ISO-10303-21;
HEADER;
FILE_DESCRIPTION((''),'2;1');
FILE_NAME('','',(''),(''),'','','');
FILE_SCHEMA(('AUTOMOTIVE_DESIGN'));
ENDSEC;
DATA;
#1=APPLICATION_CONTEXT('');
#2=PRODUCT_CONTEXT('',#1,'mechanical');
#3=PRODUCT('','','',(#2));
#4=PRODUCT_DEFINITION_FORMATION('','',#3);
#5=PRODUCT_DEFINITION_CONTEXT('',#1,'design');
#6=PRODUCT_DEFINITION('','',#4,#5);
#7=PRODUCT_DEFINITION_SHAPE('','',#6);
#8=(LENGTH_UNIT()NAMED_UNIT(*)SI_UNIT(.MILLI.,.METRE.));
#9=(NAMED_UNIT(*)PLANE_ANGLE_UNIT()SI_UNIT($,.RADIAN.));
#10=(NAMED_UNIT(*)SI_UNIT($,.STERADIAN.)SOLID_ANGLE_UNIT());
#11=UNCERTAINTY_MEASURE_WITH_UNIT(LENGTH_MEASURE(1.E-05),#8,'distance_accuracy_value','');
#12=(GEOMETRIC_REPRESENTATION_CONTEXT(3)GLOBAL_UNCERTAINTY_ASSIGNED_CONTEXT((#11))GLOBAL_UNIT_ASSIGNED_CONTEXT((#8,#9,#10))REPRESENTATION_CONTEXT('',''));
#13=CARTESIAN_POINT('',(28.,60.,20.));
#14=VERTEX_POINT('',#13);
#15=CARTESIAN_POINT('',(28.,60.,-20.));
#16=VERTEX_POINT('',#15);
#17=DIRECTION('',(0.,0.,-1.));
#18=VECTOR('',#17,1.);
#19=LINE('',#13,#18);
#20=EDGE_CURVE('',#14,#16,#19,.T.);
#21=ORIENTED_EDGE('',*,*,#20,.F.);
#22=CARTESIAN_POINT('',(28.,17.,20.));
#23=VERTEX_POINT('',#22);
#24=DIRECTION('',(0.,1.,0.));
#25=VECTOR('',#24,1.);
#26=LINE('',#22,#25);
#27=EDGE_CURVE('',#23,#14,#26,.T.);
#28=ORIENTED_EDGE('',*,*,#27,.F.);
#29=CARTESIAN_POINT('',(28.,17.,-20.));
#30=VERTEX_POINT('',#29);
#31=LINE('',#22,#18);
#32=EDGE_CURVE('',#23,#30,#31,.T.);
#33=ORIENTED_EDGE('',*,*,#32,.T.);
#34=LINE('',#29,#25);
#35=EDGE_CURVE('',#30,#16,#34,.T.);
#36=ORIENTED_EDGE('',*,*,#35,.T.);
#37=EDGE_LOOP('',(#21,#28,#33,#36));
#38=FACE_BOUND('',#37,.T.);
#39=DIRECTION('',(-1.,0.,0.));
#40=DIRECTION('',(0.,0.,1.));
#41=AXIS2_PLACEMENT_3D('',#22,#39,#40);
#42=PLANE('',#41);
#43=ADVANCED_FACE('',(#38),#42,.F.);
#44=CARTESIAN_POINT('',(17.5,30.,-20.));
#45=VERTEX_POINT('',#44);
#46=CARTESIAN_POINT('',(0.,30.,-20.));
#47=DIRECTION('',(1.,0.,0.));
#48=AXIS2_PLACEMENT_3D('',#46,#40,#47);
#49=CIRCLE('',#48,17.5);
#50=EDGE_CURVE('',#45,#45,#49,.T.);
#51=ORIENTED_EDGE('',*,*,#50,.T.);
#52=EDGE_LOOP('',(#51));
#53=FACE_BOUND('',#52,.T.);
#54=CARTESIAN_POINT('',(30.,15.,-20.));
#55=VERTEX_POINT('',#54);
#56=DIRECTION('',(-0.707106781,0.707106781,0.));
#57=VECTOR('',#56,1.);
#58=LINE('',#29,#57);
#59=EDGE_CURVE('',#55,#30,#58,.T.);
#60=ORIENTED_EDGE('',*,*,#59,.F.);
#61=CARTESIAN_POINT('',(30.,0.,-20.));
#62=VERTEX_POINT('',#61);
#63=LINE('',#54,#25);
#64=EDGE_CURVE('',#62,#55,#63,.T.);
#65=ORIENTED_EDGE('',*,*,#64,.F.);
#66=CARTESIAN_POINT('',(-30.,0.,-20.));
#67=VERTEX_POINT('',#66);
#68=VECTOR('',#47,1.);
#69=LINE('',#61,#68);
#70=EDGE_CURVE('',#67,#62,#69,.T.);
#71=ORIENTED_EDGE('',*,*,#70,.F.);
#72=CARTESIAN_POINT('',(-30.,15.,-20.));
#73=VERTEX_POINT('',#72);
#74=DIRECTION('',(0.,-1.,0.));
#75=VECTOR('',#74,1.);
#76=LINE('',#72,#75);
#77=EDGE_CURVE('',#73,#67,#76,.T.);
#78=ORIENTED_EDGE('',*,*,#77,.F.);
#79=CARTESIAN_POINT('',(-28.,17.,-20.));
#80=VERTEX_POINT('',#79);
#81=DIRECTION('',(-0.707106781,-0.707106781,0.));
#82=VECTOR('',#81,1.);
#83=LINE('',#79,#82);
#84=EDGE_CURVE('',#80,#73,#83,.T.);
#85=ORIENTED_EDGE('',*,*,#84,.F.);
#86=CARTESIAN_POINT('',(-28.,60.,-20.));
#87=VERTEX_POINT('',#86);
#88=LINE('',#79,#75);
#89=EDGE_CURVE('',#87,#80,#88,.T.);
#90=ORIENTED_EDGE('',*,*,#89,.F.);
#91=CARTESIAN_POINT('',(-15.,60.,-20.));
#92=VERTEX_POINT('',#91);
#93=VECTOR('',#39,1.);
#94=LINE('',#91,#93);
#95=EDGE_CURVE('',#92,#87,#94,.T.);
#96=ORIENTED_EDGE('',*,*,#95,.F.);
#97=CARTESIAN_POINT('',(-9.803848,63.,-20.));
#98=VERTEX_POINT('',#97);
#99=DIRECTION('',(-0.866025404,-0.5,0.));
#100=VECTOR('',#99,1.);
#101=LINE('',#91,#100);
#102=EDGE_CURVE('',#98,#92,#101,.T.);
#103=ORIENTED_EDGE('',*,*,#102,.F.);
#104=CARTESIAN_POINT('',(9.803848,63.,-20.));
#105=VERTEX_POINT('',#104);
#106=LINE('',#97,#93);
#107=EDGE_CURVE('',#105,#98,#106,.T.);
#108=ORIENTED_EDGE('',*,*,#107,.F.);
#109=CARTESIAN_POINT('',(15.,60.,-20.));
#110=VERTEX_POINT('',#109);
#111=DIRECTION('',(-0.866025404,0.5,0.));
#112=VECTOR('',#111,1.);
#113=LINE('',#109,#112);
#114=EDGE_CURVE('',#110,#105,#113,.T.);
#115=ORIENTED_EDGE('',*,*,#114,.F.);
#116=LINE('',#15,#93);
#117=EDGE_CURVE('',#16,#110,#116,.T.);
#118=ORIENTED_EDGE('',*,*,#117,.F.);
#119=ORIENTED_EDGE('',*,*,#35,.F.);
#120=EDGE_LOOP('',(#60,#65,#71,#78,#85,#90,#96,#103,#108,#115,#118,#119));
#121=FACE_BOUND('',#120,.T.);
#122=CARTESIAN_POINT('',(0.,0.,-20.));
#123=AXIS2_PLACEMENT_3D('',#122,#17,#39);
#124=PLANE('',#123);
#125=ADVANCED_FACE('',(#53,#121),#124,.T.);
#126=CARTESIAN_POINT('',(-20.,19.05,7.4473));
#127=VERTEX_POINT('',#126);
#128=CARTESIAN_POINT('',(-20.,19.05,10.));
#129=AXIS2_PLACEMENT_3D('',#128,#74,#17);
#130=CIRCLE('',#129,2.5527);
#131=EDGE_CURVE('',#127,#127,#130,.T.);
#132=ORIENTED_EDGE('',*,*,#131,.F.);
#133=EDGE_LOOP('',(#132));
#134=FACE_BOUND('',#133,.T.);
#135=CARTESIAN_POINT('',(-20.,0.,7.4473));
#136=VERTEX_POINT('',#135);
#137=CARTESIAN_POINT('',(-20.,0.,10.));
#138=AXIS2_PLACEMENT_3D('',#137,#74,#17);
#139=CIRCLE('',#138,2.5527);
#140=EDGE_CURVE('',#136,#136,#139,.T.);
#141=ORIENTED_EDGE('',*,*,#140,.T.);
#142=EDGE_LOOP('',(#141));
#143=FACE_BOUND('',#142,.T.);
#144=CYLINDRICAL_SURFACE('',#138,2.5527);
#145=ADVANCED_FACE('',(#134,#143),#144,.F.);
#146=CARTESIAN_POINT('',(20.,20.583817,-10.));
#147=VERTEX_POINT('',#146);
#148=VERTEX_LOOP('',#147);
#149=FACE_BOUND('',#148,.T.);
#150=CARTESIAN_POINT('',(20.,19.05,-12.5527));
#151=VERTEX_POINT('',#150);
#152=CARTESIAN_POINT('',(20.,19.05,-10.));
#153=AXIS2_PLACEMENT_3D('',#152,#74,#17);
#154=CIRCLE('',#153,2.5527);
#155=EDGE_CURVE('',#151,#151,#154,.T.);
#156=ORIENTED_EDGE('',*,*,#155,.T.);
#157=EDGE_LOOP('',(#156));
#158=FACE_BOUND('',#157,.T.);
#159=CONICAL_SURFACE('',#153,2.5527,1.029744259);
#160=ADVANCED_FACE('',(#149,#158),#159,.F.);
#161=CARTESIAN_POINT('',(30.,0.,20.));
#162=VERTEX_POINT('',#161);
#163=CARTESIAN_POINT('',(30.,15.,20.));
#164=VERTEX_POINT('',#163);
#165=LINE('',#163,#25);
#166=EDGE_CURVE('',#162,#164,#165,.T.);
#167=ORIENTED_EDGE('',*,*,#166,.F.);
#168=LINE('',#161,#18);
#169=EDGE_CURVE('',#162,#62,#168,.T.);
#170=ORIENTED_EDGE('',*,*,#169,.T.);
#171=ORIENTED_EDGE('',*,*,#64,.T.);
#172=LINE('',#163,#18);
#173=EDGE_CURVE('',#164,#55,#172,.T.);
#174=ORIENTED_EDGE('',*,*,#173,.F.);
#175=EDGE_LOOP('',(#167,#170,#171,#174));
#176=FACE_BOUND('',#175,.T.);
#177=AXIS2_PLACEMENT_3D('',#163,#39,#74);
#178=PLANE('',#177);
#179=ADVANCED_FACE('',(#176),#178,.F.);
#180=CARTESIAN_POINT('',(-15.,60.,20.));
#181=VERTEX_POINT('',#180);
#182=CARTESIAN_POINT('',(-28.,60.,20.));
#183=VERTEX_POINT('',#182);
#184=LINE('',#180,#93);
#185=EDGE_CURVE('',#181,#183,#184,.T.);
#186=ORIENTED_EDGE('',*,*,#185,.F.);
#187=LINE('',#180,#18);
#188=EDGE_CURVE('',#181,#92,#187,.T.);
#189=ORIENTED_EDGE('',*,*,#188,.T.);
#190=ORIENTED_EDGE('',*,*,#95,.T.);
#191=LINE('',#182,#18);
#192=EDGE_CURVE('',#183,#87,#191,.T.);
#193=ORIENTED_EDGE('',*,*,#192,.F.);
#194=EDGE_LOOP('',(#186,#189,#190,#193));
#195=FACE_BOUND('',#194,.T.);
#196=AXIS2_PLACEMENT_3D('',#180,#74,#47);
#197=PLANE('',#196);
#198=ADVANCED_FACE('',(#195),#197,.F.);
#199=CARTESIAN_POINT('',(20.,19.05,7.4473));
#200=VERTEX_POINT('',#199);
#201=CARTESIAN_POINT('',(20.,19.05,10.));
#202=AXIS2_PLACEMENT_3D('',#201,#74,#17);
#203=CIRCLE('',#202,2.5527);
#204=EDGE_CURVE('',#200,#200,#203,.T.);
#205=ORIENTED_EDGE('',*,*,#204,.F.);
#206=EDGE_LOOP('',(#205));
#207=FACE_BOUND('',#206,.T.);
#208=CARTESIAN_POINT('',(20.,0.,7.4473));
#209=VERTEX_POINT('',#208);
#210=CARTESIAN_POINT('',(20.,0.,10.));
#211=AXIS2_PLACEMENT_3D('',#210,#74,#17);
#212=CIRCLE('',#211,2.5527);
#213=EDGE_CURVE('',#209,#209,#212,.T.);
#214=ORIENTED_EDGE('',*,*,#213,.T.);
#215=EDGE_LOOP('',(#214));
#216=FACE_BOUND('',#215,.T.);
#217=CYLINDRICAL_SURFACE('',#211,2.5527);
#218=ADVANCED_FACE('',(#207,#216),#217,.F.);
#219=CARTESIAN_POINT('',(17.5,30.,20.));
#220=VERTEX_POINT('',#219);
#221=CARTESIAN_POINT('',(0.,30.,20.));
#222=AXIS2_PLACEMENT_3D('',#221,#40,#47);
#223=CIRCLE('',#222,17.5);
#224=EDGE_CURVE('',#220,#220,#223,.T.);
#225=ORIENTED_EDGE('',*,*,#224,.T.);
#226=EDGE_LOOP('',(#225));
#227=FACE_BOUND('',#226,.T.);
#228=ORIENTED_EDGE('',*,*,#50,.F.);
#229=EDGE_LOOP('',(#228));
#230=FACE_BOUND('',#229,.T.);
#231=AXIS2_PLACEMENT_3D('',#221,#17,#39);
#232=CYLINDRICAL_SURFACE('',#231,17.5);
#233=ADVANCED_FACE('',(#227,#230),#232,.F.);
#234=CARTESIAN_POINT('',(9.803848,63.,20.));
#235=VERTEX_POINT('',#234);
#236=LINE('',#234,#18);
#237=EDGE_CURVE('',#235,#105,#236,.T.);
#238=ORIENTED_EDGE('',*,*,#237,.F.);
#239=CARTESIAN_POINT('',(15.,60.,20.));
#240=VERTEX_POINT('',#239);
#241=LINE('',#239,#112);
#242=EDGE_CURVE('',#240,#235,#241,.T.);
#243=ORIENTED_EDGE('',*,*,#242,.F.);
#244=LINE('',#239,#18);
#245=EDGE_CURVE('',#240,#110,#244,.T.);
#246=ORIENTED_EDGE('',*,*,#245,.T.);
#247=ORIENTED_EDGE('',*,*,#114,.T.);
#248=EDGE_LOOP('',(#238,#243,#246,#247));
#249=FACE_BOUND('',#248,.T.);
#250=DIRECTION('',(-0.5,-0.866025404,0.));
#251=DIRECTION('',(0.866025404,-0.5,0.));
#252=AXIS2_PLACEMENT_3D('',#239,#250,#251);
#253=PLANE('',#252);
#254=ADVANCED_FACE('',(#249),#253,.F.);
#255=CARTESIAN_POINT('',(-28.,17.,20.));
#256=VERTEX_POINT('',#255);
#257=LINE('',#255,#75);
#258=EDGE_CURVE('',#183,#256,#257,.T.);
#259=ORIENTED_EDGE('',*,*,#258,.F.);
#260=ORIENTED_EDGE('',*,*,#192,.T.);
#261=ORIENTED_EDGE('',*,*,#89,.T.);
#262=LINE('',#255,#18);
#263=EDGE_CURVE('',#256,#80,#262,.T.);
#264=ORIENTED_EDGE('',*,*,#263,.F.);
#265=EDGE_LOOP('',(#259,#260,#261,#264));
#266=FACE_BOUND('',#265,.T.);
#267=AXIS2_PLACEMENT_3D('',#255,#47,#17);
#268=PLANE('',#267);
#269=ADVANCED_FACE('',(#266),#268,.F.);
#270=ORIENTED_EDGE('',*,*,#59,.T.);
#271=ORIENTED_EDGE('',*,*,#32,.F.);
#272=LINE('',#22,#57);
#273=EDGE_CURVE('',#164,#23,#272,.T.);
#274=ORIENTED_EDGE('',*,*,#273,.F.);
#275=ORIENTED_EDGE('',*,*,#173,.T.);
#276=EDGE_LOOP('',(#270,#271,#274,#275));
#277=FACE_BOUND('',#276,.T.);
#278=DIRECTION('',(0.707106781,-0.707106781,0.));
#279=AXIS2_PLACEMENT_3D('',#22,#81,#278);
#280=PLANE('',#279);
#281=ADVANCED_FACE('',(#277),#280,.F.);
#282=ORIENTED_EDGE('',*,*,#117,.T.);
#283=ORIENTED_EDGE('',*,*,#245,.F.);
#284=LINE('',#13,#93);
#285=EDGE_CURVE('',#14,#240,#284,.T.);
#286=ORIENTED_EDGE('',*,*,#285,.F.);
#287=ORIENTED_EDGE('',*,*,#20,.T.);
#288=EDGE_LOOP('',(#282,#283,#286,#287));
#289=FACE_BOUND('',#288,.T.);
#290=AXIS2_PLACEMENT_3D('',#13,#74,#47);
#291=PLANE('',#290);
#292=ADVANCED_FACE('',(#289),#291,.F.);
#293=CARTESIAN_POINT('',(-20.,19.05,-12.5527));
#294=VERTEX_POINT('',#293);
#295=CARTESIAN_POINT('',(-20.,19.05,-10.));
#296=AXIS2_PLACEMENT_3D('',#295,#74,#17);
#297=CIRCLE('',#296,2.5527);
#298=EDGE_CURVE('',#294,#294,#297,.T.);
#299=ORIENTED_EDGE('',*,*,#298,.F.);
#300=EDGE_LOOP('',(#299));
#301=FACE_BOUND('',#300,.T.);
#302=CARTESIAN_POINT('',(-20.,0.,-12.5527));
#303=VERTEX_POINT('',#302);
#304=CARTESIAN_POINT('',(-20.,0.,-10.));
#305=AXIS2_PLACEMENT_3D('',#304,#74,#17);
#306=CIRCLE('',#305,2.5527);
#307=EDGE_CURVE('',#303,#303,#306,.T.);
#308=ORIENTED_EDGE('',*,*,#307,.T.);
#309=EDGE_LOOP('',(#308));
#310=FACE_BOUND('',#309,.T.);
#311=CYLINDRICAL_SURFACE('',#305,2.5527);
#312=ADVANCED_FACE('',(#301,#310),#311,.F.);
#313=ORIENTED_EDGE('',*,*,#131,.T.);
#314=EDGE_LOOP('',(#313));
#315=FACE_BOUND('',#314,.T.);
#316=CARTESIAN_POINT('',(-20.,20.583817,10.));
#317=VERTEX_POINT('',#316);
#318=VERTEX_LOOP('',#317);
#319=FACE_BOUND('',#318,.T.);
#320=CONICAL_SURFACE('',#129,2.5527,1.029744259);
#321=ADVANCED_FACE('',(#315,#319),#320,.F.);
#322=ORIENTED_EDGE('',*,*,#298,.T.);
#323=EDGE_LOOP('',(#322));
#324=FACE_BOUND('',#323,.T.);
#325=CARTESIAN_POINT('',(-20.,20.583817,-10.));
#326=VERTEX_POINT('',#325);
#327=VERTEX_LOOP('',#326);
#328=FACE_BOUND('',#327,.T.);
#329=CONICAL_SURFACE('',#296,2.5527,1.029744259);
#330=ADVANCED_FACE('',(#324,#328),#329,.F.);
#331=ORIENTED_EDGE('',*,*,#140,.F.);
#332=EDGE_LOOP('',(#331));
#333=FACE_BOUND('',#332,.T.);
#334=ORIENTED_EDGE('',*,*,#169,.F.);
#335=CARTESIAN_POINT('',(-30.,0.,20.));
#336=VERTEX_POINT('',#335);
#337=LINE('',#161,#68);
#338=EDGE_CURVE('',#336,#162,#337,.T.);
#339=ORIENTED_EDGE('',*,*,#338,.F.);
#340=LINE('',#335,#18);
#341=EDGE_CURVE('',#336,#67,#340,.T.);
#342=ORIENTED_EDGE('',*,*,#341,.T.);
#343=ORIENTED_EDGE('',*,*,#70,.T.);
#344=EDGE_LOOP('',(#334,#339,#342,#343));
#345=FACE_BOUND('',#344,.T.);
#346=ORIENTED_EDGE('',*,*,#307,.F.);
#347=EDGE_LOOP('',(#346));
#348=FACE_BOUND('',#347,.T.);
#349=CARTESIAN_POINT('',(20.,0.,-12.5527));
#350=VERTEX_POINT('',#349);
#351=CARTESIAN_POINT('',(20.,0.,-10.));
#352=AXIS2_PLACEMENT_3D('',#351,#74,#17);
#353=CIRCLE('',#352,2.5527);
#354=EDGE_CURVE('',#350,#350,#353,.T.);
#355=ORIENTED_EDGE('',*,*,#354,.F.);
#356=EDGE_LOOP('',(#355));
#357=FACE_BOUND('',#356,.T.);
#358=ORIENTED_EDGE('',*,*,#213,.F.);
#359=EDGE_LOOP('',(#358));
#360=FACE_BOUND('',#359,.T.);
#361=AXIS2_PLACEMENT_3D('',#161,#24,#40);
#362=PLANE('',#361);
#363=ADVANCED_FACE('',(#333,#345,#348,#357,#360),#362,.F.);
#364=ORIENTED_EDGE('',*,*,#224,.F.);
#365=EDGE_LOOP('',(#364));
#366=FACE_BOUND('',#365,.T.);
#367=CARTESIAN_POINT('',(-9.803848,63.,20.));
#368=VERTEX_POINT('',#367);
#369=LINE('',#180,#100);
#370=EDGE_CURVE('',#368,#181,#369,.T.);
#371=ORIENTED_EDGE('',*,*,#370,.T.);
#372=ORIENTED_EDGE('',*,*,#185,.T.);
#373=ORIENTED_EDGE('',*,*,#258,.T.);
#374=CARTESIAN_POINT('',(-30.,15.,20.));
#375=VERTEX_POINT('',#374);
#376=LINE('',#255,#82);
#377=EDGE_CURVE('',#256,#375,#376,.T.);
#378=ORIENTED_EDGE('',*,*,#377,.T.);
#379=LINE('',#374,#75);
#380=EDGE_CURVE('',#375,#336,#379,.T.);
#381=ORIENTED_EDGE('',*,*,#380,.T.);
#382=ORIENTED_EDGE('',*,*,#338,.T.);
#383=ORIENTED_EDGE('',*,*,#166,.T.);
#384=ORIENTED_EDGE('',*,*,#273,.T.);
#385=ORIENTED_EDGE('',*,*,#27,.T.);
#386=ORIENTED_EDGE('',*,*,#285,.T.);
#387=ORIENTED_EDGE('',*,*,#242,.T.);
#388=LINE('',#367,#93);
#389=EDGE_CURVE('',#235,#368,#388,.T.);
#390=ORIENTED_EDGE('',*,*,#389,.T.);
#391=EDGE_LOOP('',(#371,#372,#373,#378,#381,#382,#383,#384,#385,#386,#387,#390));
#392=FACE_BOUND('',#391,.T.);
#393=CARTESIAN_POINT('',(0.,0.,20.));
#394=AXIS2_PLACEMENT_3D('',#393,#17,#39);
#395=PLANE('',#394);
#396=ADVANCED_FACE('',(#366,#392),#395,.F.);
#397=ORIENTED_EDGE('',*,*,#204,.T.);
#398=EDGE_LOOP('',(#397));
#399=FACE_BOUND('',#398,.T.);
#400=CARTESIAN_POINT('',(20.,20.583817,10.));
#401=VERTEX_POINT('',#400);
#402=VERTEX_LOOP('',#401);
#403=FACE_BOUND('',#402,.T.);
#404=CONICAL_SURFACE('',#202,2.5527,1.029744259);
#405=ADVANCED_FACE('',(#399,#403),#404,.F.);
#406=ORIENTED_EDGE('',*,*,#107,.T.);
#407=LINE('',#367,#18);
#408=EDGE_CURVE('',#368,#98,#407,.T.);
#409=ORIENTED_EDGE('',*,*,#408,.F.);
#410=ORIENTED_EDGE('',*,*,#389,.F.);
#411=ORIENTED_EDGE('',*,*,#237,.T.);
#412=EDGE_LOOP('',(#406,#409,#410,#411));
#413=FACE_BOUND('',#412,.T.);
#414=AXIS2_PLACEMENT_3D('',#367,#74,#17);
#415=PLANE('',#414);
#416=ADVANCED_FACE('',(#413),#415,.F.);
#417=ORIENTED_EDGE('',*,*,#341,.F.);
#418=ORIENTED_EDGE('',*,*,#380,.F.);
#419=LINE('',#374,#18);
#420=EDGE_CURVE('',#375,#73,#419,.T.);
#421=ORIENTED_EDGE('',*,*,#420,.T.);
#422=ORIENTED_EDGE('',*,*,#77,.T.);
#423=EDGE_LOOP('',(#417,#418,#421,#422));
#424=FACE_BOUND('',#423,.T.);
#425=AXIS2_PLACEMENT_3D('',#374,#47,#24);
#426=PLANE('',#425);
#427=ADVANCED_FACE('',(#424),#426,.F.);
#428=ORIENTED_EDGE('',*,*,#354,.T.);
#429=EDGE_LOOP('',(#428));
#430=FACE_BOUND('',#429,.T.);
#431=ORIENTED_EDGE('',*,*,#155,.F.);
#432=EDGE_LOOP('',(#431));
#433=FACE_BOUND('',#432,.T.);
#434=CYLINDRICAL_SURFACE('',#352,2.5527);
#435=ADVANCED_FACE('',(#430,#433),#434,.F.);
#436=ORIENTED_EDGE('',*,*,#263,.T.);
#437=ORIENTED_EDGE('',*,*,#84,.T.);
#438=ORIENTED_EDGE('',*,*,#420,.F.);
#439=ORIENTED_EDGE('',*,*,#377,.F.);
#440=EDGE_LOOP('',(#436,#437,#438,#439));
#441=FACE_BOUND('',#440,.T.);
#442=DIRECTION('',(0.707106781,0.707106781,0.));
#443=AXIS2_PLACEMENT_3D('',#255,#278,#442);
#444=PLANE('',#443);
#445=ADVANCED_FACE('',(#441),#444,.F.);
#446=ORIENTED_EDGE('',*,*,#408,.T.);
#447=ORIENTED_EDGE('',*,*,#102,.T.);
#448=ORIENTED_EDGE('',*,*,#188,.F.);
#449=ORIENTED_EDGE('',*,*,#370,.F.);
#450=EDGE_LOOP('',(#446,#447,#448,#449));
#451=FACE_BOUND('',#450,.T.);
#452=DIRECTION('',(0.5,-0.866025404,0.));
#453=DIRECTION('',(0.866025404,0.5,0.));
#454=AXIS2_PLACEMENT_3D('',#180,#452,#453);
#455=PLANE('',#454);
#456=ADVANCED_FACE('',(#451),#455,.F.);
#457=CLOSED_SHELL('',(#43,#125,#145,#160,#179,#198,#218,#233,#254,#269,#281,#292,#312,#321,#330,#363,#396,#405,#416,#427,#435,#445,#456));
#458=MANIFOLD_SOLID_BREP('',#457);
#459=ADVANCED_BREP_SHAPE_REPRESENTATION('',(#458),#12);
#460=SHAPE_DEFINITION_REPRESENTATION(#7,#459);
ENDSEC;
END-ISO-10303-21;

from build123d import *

# Parameters (mm, degrees)
CROQUIS1_R                    = 17.5
SALIENTE_EXTRUIR1_DEPTH       = 20
TALADRO_ROSCADO_1_4_201_D     = 5.1054
TALADRO_ROSCADO_1_4_201_DEPTH = 19.05
TALADRO_ROSCADO_1_4_201_TIP   = 1.533816902


with BuildPart() as part:
    # Croquis1 → Saliente-Extruir1 (new, symmetric)
    with BuildSketch(Plane.XY):
        Polygon((28, 60), (15, 60), (9.803847577, 63), (-9.803847577, 63), (-15, 60), (-28, 60), (-28, 17), (-30, 15), (-30, 0), (30, 0), (30, 15), (28, 17), align=None)
        with Locations((0, 30)):
            Circle(CROQUIS1_R, mode=Mode.SUBTRACT)
    extrude(amount=SALIENTE_EXTRUIR1_DEPTH, both=True)

    # Taladro roscado 1/4-201
    with Locations(Plane(origin=(0, 0, 0), x_dir=(-1, 0, 0), z_dir=(0, -1, 0))):
        with Locations((20, 10), (20, -10), (-20, -10), (-20, 10)):
            Hole(TALADRO_ROSCADO_1_4_201_D / 2, depth=TALADRO_ROSCADO_1_4_201_DEPTH)
            with Locations((0, 0, -(TALADRO_ROSCADO_1_4_201_DEPTH + TALADRO_ROSCADO_1_4_201_TIP / 2))):  # 118° drill point
                Cone(0, TALADRO_ROSCADO_1_4_201_D / 2, TALADRO_ROSCADO_1_4_201_TIP, mode=Mode.SUBTRACT)


solid = part.part
